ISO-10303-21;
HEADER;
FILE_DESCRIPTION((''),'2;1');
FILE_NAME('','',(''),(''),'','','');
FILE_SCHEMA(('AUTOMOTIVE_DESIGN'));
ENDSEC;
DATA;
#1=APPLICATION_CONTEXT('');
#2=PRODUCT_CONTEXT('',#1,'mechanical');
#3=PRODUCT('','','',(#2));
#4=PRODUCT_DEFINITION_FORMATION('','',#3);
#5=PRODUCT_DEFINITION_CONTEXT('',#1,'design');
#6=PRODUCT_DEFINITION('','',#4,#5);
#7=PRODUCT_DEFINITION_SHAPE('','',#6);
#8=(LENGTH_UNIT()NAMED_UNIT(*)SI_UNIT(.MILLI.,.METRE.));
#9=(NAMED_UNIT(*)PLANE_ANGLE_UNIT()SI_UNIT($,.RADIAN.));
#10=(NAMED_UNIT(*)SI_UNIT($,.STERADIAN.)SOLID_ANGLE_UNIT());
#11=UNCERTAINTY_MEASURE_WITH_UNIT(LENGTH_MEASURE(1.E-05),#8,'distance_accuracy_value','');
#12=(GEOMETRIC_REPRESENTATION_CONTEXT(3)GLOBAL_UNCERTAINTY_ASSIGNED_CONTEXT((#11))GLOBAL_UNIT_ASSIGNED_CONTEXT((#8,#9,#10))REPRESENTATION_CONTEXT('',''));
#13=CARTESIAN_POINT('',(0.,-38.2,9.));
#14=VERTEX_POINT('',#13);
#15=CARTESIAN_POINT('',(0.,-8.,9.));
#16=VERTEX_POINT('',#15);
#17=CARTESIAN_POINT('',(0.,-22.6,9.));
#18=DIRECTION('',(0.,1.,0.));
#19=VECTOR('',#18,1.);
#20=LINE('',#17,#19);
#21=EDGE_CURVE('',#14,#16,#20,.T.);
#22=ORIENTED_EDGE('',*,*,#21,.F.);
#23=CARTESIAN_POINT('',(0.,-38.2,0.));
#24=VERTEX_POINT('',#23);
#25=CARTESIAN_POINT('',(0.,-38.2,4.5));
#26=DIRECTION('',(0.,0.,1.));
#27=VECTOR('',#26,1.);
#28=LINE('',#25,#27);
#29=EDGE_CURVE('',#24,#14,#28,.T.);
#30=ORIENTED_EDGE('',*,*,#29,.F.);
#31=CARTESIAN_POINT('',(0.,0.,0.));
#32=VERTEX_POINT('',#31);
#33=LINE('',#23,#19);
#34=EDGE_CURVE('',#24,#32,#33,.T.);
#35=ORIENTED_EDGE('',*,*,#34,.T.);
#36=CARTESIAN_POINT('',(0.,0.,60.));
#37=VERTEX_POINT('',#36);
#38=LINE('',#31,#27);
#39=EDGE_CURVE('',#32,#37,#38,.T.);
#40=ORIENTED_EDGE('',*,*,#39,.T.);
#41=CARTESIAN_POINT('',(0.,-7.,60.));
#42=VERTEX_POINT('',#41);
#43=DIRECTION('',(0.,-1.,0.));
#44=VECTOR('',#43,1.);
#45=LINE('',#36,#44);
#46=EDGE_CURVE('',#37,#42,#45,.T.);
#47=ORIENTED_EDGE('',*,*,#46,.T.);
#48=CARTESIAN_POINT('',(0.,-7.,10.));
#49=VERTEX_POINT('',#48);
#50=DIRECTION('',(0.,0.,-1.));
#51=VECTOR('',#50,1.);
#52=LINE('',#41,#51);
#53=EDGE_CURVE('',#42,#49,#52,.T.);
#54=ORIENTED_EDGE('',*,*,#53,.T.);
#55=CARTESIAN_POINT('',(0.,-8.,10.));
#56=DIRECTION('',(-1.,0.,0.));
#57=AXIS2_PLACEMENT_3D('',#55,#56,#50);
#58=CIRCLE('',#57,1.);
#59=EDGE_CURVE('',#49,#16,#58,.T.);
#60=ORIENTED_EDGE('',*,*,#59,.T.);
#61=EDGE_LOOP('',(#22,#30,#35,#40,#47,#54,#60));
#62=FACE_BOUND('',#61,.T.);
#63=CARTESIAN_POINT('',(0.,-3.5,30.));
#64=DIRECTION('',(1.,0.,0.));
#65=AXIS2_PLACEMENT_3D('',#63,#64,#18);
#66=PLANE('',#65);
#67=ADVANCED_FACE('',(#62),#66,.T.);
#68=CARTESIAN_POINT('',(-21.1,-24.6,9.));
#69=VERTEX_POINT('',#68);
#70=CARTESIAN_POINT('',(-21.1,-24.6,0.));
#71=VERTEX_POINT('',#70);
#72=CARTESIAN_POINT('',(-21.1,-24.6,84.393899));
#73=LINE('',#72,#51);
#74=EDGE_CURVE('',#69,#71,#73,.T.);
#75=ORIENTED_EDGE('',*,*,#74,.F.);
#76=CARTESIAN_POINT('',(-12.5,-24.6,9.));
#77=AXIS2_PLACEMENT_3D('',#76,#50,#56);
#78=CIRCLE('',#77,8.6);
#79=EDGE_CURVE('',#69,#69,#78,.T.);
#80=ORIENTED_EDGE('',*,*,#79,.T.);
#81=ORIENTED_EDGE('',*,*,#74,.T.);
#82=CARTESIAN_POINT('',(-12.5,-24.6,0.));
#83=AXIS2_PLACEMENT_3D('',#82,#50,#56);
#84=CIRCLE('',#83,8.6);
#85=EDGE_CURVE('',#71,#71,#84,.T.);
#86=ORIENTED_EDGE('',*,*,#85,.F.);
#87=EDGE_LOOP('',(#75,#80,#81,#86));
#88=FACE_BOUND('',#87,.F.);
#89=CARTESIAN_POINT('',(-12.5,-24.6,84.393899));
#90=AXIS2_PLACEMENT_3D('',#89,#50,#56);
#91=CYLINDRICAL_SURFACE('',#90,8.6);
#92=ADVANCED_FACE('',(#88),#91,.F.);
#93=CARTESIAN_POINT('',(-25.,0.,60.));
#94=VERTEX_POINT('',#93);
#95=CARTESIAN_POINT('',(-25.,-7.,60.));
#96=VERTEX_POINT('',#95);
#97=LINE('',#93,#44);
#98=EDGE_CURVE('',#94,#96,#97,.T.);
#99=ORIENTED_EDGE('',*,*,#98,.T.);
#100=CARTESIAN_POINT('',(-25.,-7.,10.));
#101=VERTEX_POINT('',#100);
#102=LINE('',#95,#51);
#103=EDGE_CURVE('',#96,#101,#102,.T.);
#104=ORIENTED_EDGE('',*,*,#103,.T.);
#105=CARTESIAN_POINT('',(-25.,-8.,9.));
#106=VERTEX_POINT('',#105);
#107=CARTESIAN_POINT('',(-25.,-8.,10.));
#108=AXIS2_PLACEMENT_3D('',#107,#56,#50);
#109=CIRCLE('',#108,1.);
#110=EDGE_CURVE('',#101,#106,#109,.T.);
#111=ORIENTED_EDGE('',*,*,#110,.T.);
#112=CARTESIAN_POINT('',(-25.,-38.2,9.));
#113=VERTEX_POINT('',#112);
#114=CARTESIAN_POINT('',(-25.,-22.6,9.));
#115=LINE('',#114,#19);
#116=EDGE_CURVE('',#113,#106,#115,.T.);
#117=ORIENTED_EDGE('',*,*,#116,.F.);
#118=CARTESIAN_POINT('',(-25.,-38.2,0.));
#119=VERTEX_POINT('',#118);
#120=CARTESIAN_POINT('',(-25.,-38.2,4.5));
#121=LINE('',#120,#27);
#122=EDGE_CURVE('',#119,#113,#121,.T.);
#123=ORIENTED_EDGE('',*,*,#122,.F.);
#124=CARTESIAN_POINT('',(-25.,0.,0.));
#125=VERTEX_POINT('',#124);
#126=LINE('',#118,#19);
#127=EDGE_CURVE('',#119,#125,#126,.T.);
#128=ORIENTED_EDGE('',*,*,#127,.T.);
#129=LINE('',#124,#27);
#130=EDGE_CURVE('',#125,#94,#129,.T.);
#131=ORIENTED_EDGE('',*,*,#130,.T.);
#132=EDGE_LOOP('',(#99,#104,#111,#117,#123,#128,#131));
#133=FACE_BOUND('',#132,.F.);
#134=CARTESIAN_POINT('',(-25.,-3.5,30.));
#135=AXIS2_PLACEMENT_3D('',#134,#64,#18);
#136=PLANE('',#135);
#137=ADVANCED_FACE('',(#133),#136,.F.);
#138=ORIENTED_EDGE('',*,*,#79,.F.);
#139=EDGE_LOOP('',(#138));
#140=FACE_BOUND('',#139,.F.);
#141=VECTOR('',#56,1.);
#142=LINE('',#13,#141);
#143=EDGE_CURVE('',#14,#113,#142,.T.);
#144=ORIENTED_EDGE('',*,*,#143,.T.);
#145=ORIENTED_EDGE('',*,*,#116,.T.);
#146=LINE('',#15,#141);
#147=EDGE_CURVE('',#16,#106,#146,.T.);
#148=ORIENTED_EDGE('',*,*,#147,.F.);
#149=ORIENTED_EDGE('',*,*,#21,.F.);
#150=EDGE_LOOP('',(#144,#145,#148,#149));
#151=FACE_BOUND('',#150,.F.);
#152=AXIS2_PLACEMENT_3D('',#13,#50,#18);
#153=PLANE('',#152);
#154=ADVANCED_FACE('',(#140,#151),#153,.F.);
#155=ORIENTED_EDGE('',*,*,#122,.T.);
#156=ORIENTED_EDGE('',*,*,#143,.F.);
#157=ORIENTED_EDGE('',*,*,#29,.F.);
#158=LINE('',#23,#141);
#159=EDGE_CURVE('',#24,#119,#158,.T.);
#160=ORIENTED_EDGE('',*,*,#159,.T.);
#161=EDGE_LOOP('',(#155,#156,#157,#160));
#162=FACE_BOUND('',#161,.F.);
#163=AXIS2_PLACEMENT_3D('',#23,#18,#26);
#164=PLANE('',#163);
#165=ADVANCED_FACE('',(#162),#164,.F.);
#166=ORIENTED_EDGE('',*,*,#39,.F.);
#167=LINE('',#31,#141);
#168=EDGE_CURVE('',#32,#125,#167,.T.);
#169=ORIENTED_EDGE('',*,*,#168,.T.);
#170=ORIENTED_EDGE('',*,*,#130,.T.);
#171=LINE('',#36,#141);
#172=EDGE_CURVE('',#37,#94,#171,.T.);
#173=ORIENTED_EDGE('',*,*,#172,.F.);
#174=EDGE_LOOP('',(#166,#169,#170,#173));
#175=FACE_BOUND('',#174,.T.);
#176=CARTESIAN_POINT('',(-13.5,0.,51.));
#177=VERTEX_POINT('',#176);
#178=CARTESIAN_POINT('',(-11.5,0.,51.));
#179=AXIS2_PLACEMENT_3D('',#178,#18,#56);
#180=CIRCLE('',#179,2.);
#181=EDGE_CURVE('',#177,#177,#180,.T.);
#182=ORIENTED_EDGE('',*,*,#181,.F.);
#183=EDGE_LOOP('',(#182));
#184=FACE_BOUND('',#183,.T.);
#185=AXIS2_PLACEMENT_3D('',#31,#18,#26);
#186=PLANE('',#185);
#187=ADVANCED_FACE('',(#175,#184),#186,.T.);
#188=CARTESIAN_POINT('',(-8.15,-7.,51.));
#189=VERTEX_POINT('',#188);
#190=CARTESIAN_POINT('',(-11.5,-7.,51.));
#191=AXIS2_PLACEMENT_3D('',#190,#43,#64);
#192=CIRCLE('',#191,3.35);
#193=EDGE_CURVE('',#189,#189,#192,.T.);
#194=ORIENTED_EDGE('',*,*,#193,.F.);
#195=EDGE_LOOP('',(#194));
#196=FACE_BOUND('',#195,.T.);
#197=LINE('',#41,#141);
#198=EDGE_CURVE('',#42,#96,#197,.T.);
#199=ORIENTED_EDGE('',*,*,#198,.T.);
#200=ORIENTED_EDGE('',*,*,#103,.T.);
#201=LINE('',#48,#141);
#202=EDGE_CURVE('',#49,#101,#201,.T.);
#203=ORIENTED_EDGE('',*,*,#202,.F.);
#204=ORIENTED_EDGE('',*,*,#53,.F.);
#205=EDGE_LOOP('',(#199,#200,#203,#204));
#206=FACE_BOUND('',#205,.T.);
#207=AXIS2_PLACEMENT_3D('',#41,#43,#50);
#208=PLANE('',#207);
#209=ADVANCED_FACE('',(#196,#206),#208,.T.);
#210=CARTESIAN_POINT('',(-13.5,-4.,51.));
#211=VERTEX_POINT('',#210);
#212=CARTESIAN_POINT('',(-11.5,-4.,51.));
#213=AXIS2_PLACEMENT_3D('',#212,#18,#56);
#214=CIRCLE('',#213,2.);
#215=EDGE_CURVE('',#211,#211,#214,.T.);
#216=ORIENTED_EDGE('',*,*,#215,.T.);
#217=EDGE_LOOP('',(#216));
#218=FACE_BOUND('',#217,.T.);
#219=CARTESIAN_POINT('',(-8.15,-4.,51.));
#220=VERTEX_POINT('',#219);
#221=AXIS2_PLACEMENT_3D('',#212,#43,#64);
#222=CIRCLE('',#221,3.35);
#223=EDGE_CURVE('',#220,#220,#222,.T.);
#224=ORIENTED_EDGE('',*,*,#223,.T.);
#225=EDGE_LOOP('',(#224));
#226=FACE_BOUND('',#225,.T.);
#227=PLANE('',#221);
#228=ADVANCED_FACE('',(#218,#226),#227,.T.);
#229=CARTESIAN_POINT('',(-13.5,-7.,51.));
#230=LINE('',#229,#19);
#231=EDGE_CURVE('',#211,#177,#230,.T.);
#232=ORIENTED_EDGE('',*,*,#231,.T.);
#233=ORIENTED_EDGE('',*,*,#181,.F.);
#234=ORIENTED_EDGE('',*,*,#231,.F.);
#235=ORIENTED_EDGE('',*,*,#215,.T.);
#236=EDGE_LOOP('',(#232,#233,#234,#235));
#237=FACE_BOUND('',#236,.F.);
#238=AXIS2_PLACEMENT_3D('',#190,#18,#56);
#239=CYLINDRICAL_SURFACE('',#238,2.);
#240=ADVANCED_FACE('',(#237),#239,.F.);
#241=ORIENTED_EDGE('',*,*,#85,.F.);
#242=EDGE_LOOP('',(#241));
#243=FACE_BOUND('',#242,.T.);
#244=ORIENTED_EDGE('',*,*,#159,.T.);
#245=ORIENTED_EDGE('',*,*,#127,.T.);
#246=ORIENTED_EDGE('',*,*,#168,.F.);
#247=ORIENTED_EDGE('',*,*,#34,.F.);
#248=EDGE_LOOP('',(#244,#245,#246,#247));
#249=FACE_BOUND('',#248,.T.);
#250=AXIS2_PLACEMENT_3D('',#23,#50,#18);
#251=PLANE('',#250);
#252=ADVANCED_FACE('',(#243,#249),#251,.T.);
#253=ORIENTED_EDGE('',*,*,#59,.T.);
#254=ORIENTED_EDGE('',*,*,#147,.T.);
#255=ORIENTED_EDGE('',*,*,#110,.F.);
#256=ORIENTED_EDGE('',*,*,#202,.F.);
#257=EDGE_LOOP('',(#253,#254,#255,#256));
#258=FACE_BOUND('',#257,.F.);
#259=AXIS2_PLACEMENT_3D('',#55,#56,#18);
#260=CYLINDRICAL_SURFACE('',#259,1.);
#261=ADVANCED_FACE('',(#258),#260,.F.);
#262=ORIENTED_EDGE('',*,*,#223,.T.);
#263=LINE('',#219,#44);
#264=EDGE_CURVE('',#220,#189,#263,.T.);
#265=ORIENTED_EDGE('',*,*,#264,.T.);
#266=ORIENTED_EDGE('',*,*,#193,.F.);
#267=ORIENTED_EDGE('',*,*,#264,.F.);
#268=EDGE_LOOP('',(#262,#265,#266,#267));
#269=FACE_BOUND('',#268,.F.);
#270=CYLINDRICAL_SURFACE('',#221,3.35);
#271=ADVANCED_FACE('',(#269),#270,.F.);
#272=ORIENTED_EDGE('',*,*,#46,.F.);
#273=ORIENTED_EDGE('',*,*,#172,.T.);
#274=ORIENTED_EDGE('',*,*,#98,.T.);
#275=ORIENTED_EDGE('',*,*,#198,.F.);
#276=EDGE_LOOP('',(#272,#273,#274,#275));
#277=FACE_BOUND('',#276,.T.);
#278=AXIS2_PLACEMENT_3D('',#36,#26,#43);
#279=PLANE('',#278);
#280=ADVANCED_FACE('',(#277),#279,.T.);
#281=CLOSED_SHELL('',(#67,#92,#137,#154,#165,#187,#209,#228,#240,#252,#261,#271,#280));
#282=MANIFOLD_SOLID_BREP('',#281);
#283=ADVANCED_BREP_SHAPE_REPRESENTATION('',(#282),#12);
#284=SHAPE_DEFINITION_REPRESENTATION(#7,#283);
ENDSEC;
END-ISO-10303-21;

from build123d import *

# Parameters (mm, degrees)
F0_W           = 31.2
F0_H           = 9
F1_DEPTH       = 25
F3_D           = 17.2
F5_D           = 4
F5_CBORE_D     = 6.7
F5_CBORE_DEPTH = 3
F6_R           = 1


with BuildPart() as f1:
    # F0 (on Right) → F1 (new body)
    with BuildSketch(Plane.YZ):
        Polygon((-7, 0), (0, 0), (0, 60), (-7, 60), (-7, 9), align=None)
        with Locations((-22.6, 4.5)):
            Rectangle(F0_W, F0_H)
    extrude(amount=-F1_DEPTH)

    # F3 (through all)
    with Locations(Plane.XY.offset(9)):
        with Locations((-12.5, -24.6)):
            Hole(F3_D / 2)

    # F5 (through all)
    with Locations(Plane.XZ.offset(7)):
        with Locations((-11.5, 51)):
            CounterBoreHole(F5_D / 2, F5_CBORE_D / 2, F5_CBORE_DEPTH)

    # F6
    f6_edges = [f1.edges().sort_by_distance(p)[0] for p in [
        (-12.5, -7, 9),
    ]]
    fillet(f6_edges, radius=F6_R)


solid = f1.part
